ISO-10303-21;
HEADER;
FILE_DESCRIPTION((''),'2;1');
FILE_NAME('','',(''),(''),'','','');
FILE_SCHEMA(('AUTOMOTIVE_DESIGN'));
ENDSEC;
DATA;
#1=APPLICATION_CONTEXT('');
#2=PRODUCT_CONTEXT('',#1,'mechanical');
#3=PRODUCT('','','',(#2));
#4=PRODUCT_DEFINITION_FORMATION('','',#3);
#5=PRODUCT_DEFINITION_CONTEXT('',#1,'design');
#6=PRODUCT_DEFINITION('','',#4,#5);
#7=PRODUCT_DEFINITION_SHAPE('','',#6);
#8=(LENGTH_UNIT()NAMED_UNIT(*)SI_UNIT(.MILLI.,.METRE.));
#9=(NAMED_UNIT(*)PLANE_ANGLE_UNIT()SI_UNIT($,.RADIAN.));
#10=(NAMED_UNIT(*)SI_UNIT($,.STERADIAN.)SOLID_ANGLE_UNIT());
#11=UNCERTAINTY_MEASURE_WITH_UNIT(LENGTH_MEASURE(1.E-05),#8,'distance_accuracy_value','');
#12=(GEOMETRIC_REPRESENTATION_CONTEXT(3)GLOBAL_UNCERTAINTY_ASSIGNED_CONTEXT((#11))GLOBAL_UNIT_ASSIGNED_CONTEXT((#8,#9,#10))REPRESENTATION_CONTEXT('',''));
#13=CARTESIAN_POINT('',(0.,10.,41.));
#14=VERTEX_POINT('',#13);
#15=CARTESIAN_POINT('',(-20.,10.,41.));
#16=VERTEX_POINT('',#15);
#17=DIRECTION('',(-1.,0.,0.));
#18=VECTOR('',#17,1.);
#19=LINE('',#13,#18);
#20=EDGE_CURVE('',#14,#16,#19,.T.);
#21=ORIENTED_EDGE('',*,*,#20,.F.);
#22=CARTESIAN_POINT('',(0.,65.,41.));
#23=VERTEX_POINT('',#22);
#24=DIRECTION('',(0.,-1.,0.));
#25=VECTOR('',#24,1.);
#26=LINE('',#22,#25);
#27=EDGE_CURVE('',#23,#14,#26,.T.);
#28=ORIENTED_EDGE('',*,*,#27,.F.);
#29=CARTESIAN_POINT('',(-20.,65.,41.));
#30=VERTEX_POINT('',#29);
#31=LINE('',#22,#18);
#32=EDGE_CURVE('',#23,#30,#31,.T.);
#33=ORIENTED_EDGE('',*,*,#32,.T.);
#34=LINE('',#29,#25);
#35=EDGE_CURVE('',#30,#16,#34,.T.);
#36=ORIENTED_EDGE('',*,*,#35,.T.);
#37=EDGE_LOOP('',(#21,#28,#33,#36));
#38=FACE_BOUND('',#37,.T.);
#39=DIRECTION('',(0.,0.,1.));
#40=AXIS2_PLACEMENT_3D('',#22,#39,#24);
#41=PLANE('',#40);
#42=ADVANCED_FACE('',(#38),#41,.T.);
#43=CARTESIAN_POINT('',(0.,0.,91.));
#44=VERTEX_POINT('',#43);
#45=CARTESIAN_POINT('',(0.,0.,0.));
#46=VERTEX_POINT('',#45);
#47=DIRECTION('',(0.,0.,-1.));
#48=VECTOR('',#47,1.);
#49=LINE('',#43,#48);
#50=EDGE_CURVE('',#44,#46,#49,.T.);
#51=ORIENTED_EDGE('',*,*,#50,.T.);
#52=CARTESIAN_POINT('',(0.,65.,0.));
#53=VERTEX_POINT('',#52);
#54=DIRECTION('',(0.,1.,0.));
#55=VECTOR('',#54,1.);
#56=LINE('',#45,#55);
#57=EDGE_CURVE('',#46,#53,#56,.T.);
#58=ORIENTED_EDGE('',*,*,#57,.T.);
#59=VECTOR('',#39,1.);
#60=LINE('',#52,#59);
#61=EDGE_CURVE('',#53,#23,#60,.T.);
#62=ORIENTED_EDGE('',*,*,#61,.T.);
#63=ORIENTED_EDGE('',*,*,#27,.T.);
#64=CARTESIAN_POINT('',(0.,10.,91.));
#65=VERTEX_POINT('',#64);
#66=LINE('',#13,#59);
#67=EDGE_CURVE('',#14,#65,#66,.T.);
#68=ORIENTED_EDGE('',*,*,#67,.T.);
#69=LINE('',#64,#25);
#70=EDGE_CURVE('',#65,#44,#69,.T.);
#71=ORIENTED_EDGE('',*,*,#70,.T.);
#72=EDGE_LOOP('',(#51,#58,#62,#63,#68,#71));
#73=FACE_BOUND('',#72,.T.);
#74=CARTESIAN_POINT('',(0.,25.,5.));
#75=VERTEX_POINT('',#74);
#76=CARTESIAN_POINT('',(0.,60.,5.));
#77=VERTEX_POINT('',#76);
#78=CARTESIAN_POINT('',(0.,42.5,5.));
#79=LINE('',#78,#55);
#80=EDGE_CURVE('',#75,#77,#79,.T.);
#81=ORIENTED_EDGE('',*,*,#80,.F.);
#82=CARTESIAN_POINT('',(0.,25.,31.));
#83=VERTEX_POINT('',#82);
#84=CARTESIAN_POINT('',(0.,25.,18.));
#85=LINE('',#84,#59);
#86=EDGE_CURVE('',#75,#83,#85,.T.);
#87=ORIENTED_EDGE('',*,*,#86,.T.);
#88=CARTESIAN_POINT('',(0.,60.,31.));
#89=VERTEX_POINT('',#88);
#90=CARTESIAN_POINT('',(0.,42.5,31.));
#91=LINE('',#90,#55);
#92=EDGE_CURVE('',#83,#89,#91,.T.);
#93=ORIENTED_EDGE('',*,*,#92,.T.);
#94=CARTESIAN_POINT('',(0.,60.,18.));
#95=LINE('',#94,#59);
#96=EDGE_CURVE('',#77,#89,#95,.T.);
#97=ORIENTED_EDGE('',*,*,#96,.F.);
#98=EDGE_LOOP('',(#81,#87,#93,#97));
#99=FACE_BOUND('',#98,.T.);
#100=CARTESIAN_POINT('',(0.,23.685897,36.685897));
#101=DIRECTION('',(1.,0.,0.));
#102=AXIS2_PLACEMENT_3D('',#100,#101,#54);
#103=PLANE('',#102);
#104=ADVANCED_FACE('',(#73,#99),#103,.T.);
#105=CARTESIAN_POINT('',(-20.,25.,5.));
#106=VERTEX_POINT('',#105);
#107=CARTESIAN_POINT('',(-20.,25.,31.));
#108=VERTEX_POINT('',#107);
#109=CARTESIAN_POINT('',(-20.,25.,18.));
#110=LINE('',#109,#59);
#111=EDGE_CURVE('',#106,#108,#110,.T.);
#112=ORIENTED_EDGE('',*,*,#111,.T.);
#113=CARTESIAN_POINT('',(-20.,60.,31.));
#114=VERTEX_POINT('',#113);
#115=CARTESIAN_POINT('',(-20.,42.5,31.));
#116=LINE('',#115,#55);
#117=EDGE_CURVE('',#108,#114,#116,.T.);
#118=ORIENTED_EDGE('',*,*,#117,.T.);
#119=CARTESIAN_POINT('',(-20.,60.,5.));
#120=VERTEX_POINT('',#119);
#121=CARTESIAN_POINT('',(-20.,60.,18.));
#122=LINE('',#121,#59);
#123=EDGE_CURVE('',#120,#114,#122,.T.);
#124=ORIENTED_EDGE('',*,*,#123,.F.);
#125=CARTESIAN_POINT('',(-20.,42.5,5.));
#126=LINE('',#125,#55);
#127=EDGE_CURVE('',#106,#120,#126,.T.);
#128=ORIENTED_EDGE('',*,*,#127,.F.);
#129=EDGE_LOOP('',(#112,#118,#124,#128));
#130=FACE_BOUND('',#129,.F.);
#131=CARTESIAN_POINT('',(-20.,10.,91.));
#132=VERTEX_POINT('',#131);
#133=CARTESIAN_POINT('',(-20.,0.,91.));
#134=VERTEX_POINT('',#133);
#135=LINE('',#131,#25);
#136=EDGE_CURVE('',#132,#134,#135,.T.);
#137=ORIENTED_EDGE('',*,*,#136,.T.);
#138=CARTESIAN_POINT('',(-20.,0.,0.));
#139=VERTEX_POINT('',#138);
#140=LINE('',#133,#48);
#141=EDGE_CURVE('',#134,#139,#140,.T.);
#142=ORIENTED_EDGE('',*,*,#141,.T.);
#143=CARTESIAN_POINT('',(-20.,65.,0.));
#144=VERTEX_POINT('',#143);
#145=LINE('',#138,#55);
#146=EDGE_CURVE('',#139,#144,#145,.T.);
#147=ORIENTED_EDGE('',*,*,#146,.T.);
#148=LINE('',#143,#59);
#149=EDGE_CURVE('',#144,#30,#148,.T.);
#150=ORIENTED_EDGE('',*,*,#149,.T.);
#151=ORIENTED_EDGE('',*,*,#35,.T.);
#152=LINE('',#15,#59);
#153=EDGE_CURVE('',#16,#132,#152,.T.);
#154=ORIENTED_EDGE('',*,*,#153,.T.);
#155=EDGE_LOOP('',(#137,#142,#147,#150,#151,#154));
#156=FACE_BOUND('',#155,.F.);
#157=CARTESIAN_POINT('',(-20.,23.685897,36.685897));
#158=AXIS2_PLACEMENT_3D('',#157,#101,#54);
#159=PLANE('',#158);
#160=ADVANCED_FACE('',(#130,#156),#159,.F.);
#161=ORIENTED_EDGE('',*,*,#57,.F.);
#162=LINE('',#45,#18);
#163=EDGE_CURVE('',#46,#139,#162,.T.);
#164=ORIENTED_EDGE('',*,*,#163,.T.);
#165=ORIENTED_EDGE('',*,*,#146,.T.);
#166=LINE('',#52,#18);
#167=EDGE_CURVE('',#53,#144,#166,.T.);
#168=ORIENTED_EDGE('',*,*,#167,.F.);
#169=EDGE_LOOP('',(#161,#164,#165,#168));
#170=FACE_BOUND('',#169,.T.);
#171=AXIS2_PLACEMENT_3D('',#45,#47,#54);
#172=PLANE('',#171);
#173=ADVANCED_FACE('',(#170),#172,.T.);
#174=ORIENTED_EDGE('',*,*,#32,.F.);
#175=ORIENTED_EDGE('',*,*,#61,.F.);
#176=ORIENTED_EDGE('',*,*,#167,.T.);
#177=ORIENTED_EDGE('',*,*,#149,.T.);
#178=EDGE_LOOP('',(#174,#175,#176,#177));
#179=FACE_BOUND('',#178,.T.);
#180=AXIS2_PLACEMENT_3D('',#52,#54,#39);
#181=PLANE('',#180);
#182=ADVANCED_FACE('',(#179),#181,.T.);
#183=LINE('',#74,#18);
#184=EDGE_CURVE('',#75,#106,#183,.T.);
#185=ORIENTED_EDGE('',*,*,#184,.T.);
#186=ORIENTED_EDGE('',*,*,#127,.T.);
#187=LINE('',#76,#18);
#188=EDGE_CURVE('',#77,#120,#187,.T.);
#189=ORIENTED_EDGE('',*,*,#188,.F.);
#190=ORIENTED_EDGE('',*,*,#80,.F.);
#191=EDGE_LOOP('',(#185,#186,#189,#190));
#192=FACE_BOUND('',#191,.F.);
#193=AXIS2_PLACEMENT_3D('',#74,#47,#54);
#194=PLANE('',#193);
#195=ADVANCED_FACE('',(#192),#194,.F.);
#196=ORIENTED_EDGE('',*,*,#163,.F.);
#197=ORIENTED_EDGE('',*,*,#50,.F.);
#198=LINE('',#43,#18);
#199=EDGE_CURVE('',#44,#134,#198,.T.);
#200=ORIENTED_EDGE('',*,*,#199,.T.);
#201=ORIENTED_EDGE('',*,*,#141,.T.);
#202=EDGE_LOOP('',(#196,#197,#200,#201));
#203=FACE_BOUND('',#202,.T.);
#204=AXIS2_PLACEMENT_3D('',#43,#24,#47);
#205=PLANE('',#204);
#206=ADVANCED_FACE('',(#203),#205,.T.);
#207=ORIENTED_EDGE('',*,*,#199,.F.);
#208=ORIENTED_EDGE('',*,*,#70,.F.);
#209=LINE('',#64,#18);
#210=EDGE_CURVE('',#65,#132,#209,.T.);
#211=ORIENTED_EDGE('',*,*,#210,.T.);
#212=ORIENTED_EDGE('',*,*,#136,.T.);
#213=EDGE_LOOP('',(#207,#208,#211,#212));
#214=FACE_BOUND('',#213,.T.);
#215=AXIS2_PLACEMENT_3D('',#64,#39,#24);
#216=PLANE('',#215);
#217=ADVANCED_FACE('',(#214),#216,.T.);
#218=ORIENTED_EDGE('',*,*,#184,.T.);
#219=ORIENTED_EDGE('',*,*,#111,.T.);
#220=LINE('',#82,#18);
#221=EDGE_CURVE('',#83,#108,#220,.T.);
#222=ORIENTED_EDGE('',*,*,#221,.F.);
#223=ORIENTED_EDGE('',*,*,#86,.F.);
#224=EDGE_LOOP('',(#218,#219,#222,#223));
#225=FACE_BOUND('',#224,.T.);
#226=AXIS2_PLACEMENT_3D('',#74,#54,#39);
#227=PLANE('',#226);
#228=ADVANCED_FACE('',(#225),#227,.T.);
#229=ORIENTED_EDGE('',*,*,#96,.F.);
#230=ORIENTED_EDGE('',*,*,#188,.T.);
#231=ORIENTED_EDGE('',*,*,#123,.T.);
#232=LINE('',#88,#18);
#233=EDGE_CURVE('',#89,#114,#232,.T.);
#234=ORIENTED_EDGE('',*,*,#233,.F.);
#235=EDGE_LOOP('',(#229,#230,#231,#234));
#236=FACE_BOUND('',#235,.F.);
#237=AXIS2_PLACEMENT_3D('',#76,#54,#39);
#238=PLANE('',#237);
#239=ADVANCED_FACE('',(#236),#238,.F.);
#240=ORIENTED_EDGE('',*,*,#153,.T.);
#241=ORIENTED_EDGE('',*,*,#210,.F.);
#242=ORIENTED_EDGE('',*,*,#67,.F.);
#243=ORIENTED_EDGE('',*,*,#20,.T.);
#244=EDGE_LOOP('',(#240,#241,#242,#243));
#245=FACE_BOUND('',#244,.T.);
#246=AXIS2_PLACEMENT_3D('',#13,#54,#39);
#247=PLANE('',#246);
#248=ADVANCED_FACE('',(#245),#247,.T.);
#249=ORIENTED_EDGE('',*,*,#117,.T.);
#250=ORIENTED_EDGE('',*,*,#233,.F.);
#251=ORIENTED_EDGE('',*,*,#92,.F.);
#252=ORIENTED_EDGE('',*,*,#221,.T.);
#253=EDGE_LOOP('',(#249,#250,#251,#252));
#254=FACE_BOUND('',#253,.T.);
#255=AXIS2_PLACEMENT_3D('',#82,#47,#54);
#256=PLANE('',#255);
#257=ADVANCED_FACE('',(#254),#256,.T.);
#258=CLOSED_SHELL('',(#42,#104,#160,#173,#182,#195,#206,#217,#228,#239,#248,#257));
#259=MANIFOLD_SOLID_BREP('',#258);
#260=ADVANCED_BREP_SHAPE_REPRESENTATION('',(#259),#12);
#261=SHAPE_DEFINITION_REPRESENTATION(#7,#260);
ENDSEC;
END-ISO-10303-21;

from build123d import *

# Parameters (mm, degrees)
F0_W     = 35
F0_H     = 26
F1_DEPTH = 20


with BuildPart() as f1:
    # F0 (on Right) → F1 (new body)
    with BuildSketch(Plane.YZ):
        Polygon((0, 41), (0, 0), (65, 0), (65, 41), (10, 41), (10, 91), (0, 91), align=None)
        with Locations((42.5, 18)):
            Rectangle(F0_W, F0_H, mode=Mode.SUBTRACT)
    extrude(amount=-F1_DEPTH)


solid = f1.part
